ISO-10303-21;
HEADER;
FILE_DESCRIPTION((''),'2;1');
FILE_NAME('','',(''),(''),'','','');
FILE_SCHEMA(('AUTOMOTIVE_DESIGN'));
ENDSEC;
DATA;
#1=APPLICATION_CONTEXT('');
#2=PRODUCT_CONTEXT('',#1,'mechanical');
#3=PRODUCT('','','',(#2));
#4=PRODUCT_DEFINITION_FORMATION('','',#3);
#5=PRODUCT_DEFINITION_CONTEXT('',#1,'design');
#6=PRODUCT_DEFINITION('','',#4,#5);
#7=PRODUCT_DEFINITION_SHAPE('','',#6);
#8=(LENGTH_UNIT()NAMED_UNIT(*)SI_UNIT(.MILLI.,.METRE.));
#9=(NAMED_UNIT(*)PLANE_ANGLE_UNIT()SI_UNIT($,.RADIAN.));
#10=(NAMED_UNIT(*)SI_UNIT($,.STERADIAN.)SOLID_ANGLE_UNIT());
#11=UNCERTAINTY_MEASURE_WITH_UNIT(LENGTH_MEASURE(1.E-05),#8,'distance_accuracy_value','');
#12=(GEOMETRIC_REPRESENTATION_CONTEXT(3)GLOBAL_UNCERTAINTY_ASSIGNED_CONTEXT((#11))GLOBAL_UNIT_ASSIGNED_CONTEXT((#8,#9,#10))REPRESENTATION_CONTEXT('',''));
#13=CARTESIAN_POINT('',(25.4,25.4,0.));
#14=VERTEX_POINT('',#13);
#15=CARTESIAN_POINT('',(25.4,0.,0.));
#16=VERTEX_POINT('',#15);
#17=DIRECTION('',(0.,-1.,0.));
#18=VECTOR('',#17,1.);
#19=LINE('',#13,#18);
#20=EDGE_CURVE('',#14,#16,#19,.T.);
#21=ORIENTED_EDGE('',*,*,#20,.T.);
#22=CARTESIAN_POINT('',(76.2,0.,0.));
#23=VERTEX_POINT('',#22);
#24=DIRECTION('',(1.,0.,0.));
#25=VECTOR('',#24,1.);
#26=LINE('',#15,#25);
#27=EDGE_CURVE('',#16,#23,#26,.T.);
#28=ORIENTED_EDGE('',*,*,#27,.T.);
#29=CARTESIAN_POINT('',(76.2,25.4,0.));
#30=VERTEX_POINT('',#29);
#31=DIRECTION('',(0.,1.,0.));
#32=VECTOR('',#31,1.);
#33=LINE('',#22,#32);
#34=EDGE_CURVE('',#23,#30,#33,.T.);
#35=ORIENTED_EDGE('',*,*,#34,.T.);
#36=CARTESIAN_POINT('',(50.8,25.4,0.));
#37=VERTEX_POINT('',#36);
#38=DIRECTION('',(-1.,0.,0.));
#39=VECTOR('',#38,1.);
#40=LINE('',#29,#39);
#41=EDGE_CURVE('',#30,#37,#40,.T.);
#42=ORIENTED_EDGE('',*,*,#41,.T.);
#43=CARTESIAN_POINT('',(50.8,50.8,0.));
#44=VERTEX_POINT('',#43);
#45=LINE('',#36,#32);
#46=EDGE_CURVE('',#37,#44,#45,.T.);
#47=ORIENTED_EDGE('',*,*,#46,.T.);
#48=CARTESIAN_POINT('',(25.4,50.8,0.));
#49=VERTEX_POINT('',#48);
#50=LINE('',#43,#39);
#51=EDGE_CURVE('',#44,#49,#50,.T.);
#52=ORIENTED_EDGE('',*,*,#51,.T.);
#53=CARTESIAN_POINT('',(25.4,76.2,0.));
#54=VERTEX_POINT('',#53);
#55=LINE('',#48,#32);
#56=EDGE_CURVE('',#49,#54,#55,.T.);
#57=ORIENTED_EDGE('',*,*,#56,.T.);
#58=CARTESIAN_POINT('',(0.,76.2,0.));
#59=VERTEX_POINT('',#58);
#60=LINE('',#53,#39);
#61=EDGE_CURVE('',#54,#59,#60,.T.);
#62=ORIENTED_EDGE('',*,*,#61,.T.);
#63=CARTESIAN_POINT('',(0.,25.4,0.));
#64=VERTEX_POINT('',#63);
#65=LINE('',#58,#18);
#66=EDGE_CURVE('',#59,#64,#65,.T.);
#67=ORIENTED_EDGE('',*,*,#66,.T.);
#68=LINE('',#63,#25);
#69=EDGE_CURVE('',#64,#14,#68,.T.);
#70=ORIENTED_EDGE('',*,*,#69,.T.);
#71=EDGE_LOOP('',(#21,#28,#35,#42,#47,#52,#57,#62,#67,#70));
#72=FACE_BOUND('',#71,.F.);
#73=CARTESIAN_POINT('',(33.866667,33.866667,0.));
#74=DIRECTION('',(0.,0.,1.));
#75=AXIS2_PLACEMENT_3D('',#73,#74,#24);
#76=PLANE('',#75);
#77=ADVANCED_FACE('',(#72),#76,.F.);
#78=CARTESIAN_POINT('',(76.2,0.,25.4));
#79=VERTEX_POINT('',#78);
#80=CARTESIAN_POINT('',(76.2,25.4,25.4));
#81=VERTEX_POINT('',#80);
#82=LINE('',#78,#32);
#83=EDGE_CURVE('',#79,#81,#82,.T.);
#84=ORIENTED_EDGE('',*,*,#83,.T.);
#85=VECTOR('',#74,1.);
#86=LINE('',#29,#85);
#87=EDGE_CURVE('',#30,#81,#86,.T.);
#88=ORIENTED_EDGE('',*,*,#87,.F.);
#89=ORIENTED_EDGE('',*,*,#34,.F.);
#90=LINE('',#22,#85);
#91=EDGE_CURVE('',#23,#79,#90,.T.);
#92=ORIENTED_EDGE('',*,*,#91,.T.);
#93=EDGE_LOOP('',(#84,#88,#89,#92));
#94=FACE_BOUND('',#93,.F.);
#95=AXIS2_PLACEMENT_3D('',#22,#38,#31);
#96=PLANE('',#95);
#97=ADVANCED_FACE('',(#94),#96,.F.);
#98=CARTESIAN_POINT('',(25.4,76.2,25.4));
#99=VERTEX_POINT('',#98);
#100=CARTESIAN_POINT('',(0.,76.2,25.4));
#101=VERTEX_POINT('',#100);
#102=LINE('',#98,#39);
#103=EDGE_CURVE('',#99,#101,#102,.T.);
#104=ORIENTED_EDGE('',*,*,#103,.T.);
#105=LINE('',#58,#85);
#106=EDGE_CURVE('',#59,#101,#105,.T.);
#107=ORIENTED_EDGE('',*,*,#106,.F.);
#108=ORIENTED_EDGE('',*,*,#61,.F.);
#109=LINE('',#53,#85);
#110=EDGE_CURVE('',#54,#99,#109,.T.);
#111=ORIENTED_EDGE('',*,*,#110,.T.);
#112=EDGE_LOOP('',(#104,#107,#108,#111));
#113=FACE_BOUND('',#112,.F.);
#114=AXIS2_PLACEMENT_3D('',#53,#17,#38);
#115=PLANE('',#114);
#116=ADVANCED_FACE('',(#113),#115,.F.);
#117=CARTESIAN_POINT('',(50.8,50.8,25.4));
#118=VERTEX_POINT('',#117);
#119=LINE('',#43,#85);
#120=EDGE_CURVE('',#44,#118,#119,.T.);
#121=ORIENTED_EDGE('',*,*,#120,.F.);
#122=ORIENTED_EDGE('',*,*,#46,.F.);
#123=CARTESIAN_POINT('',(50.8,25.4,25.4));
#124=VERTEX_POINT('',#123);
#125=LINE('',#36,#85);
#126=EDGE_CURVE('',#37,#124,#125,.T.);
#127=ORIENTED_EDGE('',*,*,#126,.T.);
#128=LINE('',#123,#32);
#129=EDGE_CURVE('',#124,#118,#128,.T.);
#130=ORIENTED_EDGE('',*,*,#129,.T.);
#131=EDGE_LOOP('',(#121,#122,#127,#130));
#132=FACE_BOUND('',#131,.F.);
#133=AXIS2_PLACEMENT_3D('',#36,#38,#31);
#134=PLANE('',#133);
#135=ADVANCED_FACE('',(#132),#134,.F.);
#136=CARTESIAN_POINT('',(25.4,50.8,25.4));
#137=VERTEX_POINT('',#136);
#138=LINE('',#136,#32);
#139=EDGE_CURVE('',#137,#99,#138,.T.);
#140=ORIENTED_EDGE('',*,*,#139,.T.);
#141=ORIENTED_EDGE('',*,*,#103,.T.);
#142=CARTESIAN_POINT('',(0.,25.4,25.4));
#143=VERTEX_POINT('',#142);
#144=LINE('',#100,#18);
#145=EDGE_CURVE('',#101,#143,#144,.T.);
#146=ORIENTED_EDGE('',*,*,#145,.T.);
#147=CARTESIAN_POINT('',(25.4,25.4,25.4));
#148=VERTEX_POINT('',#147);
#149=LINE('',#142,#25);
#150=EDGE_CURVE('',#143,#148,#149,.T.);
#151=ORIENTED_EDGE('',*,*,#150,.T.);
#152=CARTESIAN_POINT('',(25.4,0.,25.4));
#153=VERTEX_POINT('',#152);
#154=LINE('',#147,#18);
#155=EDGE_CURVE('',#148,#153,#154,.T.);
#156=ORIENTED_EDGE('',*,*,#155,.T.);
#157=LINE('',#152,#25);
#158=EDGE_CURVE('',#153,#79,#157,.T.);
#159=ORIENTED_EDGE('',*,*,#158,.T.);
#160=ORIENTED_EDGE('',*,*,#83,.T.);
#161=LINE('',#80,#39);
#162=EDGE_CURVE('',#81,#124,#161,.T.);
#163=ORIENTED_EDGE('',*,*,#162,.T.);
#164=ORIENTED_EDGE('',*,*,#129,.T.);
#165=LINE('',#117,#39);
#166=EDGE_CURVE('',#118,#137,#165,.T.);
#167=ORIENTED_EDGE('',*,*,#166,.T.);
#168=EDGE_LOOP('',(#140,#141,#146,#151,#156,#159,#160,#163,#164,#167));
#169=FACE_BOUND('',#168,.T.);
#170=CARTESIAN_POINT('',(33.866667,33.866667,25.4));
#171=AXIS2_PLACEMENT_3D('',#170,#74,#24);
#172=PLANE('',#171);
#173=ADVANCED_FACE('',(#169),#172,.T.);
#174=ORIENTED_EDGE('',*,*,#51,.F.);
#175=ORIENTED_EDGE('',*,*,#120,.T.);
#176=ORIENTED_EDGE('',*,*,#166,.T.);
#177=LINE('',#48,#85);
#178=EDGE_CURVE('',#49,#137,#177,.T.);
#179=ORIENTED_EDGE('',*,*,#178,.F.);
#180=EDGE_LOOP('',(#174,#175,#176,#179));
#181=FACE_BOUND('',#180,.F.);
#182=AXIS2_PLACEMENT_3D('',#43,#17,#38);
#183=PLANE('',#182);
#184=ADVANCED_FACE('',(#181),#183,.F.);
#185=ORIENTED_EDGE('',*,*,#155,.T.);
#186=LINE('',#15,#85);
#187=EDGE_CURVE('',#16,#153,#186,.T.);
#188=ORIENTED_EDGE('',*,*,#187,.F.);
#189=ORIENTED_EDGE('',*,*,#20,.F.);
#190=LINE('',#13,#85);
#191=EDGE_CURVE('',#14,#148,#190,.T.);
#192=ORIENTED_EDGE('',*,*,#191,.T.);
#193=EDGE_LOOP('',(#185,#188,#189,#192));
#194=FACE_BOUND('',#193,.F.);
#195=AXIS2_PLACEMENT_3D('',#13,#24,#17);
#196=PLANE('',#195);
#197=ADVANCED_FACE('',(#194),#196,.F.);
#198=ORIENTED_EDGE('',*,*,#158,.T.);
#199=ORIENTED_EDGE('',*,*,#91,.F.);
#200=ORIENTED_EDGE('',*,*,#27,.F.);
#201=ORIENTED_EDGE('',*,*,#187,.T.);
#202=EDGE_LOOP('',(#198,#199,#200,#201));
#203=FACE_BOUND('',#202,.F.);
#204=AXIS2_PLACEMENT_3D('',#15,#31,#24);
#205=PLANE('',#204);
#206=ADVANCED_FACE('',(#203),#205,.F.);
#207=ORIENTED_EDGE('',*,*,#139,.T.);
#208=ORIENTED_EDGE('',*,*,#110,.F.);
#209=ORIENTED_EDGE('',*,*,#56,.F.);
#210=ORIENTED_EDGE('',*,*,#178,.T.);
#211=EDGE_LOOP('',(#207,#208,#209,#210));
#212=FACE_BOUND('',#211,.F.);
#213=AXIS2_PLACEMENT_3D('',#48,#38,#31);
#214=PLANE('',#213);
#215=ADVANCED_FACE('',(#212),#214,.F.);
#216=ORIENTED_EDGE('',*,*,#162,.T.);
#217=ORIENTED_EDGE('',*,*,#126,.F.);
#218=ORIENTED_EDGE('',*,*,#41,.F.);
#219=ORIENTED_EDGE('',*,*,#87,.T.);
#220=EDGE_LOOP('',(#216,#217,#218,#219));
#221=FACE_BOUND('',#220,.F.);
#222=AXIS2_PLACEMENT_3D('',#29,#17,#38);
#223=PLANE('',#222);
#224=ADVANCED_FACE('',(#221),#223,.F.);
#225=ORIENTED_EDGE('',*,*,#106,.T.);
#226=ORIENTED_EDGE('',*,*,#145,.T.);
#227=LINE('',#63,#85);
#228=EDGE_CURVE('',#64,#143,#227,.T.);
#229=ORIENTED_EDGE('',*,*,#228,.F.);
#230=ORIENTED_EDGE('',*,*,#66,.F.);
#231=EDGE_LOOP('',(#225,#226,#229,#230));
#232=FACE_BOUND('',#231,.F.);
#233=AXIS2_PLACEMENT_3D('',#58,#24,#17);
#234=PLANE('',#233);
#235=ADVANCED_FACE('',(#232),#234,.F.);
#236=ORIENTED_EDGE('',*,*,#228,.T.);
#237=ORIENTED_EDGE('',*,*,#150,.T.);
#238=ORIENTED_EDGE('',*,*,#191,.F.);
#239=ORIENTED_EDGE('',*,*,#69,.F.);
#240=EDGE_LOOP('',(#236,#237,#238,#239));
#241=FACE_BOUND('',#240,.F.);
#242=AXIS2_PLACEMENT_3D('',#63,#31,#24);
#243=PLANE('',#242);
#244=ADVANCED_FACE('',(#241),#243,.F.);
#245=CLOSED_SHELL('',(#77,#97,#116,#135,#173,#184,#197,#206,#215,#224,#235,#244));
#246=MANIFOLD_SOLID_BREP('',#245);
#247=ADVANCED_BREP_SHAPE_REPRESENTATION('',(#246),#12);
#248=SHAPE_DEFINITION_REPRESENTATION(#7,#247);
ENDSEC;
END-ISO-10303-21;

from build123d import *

# Parameters (mm, degrees)
BOSS_EXTRUDE1_DEPTH = 25.4


with BuildPart() as part:
    # Sketch1 → Boss-Extrude1 (new body)
    with BuildSketch(Plane.XY):
        Polygon((76.2, 0), (76.2, 25.4), (50.8, 25.4), (50.8, 50.8), (25.4, 50.8), (25.4, 76.2), (0, 76.2), (0, 25.4), (25.4, 25.4), (25.4, 0), (50.8, 0), align=None)
    extrude(amount=BOSS_EXTRUDE1_DEPTH)


solid = part.part
